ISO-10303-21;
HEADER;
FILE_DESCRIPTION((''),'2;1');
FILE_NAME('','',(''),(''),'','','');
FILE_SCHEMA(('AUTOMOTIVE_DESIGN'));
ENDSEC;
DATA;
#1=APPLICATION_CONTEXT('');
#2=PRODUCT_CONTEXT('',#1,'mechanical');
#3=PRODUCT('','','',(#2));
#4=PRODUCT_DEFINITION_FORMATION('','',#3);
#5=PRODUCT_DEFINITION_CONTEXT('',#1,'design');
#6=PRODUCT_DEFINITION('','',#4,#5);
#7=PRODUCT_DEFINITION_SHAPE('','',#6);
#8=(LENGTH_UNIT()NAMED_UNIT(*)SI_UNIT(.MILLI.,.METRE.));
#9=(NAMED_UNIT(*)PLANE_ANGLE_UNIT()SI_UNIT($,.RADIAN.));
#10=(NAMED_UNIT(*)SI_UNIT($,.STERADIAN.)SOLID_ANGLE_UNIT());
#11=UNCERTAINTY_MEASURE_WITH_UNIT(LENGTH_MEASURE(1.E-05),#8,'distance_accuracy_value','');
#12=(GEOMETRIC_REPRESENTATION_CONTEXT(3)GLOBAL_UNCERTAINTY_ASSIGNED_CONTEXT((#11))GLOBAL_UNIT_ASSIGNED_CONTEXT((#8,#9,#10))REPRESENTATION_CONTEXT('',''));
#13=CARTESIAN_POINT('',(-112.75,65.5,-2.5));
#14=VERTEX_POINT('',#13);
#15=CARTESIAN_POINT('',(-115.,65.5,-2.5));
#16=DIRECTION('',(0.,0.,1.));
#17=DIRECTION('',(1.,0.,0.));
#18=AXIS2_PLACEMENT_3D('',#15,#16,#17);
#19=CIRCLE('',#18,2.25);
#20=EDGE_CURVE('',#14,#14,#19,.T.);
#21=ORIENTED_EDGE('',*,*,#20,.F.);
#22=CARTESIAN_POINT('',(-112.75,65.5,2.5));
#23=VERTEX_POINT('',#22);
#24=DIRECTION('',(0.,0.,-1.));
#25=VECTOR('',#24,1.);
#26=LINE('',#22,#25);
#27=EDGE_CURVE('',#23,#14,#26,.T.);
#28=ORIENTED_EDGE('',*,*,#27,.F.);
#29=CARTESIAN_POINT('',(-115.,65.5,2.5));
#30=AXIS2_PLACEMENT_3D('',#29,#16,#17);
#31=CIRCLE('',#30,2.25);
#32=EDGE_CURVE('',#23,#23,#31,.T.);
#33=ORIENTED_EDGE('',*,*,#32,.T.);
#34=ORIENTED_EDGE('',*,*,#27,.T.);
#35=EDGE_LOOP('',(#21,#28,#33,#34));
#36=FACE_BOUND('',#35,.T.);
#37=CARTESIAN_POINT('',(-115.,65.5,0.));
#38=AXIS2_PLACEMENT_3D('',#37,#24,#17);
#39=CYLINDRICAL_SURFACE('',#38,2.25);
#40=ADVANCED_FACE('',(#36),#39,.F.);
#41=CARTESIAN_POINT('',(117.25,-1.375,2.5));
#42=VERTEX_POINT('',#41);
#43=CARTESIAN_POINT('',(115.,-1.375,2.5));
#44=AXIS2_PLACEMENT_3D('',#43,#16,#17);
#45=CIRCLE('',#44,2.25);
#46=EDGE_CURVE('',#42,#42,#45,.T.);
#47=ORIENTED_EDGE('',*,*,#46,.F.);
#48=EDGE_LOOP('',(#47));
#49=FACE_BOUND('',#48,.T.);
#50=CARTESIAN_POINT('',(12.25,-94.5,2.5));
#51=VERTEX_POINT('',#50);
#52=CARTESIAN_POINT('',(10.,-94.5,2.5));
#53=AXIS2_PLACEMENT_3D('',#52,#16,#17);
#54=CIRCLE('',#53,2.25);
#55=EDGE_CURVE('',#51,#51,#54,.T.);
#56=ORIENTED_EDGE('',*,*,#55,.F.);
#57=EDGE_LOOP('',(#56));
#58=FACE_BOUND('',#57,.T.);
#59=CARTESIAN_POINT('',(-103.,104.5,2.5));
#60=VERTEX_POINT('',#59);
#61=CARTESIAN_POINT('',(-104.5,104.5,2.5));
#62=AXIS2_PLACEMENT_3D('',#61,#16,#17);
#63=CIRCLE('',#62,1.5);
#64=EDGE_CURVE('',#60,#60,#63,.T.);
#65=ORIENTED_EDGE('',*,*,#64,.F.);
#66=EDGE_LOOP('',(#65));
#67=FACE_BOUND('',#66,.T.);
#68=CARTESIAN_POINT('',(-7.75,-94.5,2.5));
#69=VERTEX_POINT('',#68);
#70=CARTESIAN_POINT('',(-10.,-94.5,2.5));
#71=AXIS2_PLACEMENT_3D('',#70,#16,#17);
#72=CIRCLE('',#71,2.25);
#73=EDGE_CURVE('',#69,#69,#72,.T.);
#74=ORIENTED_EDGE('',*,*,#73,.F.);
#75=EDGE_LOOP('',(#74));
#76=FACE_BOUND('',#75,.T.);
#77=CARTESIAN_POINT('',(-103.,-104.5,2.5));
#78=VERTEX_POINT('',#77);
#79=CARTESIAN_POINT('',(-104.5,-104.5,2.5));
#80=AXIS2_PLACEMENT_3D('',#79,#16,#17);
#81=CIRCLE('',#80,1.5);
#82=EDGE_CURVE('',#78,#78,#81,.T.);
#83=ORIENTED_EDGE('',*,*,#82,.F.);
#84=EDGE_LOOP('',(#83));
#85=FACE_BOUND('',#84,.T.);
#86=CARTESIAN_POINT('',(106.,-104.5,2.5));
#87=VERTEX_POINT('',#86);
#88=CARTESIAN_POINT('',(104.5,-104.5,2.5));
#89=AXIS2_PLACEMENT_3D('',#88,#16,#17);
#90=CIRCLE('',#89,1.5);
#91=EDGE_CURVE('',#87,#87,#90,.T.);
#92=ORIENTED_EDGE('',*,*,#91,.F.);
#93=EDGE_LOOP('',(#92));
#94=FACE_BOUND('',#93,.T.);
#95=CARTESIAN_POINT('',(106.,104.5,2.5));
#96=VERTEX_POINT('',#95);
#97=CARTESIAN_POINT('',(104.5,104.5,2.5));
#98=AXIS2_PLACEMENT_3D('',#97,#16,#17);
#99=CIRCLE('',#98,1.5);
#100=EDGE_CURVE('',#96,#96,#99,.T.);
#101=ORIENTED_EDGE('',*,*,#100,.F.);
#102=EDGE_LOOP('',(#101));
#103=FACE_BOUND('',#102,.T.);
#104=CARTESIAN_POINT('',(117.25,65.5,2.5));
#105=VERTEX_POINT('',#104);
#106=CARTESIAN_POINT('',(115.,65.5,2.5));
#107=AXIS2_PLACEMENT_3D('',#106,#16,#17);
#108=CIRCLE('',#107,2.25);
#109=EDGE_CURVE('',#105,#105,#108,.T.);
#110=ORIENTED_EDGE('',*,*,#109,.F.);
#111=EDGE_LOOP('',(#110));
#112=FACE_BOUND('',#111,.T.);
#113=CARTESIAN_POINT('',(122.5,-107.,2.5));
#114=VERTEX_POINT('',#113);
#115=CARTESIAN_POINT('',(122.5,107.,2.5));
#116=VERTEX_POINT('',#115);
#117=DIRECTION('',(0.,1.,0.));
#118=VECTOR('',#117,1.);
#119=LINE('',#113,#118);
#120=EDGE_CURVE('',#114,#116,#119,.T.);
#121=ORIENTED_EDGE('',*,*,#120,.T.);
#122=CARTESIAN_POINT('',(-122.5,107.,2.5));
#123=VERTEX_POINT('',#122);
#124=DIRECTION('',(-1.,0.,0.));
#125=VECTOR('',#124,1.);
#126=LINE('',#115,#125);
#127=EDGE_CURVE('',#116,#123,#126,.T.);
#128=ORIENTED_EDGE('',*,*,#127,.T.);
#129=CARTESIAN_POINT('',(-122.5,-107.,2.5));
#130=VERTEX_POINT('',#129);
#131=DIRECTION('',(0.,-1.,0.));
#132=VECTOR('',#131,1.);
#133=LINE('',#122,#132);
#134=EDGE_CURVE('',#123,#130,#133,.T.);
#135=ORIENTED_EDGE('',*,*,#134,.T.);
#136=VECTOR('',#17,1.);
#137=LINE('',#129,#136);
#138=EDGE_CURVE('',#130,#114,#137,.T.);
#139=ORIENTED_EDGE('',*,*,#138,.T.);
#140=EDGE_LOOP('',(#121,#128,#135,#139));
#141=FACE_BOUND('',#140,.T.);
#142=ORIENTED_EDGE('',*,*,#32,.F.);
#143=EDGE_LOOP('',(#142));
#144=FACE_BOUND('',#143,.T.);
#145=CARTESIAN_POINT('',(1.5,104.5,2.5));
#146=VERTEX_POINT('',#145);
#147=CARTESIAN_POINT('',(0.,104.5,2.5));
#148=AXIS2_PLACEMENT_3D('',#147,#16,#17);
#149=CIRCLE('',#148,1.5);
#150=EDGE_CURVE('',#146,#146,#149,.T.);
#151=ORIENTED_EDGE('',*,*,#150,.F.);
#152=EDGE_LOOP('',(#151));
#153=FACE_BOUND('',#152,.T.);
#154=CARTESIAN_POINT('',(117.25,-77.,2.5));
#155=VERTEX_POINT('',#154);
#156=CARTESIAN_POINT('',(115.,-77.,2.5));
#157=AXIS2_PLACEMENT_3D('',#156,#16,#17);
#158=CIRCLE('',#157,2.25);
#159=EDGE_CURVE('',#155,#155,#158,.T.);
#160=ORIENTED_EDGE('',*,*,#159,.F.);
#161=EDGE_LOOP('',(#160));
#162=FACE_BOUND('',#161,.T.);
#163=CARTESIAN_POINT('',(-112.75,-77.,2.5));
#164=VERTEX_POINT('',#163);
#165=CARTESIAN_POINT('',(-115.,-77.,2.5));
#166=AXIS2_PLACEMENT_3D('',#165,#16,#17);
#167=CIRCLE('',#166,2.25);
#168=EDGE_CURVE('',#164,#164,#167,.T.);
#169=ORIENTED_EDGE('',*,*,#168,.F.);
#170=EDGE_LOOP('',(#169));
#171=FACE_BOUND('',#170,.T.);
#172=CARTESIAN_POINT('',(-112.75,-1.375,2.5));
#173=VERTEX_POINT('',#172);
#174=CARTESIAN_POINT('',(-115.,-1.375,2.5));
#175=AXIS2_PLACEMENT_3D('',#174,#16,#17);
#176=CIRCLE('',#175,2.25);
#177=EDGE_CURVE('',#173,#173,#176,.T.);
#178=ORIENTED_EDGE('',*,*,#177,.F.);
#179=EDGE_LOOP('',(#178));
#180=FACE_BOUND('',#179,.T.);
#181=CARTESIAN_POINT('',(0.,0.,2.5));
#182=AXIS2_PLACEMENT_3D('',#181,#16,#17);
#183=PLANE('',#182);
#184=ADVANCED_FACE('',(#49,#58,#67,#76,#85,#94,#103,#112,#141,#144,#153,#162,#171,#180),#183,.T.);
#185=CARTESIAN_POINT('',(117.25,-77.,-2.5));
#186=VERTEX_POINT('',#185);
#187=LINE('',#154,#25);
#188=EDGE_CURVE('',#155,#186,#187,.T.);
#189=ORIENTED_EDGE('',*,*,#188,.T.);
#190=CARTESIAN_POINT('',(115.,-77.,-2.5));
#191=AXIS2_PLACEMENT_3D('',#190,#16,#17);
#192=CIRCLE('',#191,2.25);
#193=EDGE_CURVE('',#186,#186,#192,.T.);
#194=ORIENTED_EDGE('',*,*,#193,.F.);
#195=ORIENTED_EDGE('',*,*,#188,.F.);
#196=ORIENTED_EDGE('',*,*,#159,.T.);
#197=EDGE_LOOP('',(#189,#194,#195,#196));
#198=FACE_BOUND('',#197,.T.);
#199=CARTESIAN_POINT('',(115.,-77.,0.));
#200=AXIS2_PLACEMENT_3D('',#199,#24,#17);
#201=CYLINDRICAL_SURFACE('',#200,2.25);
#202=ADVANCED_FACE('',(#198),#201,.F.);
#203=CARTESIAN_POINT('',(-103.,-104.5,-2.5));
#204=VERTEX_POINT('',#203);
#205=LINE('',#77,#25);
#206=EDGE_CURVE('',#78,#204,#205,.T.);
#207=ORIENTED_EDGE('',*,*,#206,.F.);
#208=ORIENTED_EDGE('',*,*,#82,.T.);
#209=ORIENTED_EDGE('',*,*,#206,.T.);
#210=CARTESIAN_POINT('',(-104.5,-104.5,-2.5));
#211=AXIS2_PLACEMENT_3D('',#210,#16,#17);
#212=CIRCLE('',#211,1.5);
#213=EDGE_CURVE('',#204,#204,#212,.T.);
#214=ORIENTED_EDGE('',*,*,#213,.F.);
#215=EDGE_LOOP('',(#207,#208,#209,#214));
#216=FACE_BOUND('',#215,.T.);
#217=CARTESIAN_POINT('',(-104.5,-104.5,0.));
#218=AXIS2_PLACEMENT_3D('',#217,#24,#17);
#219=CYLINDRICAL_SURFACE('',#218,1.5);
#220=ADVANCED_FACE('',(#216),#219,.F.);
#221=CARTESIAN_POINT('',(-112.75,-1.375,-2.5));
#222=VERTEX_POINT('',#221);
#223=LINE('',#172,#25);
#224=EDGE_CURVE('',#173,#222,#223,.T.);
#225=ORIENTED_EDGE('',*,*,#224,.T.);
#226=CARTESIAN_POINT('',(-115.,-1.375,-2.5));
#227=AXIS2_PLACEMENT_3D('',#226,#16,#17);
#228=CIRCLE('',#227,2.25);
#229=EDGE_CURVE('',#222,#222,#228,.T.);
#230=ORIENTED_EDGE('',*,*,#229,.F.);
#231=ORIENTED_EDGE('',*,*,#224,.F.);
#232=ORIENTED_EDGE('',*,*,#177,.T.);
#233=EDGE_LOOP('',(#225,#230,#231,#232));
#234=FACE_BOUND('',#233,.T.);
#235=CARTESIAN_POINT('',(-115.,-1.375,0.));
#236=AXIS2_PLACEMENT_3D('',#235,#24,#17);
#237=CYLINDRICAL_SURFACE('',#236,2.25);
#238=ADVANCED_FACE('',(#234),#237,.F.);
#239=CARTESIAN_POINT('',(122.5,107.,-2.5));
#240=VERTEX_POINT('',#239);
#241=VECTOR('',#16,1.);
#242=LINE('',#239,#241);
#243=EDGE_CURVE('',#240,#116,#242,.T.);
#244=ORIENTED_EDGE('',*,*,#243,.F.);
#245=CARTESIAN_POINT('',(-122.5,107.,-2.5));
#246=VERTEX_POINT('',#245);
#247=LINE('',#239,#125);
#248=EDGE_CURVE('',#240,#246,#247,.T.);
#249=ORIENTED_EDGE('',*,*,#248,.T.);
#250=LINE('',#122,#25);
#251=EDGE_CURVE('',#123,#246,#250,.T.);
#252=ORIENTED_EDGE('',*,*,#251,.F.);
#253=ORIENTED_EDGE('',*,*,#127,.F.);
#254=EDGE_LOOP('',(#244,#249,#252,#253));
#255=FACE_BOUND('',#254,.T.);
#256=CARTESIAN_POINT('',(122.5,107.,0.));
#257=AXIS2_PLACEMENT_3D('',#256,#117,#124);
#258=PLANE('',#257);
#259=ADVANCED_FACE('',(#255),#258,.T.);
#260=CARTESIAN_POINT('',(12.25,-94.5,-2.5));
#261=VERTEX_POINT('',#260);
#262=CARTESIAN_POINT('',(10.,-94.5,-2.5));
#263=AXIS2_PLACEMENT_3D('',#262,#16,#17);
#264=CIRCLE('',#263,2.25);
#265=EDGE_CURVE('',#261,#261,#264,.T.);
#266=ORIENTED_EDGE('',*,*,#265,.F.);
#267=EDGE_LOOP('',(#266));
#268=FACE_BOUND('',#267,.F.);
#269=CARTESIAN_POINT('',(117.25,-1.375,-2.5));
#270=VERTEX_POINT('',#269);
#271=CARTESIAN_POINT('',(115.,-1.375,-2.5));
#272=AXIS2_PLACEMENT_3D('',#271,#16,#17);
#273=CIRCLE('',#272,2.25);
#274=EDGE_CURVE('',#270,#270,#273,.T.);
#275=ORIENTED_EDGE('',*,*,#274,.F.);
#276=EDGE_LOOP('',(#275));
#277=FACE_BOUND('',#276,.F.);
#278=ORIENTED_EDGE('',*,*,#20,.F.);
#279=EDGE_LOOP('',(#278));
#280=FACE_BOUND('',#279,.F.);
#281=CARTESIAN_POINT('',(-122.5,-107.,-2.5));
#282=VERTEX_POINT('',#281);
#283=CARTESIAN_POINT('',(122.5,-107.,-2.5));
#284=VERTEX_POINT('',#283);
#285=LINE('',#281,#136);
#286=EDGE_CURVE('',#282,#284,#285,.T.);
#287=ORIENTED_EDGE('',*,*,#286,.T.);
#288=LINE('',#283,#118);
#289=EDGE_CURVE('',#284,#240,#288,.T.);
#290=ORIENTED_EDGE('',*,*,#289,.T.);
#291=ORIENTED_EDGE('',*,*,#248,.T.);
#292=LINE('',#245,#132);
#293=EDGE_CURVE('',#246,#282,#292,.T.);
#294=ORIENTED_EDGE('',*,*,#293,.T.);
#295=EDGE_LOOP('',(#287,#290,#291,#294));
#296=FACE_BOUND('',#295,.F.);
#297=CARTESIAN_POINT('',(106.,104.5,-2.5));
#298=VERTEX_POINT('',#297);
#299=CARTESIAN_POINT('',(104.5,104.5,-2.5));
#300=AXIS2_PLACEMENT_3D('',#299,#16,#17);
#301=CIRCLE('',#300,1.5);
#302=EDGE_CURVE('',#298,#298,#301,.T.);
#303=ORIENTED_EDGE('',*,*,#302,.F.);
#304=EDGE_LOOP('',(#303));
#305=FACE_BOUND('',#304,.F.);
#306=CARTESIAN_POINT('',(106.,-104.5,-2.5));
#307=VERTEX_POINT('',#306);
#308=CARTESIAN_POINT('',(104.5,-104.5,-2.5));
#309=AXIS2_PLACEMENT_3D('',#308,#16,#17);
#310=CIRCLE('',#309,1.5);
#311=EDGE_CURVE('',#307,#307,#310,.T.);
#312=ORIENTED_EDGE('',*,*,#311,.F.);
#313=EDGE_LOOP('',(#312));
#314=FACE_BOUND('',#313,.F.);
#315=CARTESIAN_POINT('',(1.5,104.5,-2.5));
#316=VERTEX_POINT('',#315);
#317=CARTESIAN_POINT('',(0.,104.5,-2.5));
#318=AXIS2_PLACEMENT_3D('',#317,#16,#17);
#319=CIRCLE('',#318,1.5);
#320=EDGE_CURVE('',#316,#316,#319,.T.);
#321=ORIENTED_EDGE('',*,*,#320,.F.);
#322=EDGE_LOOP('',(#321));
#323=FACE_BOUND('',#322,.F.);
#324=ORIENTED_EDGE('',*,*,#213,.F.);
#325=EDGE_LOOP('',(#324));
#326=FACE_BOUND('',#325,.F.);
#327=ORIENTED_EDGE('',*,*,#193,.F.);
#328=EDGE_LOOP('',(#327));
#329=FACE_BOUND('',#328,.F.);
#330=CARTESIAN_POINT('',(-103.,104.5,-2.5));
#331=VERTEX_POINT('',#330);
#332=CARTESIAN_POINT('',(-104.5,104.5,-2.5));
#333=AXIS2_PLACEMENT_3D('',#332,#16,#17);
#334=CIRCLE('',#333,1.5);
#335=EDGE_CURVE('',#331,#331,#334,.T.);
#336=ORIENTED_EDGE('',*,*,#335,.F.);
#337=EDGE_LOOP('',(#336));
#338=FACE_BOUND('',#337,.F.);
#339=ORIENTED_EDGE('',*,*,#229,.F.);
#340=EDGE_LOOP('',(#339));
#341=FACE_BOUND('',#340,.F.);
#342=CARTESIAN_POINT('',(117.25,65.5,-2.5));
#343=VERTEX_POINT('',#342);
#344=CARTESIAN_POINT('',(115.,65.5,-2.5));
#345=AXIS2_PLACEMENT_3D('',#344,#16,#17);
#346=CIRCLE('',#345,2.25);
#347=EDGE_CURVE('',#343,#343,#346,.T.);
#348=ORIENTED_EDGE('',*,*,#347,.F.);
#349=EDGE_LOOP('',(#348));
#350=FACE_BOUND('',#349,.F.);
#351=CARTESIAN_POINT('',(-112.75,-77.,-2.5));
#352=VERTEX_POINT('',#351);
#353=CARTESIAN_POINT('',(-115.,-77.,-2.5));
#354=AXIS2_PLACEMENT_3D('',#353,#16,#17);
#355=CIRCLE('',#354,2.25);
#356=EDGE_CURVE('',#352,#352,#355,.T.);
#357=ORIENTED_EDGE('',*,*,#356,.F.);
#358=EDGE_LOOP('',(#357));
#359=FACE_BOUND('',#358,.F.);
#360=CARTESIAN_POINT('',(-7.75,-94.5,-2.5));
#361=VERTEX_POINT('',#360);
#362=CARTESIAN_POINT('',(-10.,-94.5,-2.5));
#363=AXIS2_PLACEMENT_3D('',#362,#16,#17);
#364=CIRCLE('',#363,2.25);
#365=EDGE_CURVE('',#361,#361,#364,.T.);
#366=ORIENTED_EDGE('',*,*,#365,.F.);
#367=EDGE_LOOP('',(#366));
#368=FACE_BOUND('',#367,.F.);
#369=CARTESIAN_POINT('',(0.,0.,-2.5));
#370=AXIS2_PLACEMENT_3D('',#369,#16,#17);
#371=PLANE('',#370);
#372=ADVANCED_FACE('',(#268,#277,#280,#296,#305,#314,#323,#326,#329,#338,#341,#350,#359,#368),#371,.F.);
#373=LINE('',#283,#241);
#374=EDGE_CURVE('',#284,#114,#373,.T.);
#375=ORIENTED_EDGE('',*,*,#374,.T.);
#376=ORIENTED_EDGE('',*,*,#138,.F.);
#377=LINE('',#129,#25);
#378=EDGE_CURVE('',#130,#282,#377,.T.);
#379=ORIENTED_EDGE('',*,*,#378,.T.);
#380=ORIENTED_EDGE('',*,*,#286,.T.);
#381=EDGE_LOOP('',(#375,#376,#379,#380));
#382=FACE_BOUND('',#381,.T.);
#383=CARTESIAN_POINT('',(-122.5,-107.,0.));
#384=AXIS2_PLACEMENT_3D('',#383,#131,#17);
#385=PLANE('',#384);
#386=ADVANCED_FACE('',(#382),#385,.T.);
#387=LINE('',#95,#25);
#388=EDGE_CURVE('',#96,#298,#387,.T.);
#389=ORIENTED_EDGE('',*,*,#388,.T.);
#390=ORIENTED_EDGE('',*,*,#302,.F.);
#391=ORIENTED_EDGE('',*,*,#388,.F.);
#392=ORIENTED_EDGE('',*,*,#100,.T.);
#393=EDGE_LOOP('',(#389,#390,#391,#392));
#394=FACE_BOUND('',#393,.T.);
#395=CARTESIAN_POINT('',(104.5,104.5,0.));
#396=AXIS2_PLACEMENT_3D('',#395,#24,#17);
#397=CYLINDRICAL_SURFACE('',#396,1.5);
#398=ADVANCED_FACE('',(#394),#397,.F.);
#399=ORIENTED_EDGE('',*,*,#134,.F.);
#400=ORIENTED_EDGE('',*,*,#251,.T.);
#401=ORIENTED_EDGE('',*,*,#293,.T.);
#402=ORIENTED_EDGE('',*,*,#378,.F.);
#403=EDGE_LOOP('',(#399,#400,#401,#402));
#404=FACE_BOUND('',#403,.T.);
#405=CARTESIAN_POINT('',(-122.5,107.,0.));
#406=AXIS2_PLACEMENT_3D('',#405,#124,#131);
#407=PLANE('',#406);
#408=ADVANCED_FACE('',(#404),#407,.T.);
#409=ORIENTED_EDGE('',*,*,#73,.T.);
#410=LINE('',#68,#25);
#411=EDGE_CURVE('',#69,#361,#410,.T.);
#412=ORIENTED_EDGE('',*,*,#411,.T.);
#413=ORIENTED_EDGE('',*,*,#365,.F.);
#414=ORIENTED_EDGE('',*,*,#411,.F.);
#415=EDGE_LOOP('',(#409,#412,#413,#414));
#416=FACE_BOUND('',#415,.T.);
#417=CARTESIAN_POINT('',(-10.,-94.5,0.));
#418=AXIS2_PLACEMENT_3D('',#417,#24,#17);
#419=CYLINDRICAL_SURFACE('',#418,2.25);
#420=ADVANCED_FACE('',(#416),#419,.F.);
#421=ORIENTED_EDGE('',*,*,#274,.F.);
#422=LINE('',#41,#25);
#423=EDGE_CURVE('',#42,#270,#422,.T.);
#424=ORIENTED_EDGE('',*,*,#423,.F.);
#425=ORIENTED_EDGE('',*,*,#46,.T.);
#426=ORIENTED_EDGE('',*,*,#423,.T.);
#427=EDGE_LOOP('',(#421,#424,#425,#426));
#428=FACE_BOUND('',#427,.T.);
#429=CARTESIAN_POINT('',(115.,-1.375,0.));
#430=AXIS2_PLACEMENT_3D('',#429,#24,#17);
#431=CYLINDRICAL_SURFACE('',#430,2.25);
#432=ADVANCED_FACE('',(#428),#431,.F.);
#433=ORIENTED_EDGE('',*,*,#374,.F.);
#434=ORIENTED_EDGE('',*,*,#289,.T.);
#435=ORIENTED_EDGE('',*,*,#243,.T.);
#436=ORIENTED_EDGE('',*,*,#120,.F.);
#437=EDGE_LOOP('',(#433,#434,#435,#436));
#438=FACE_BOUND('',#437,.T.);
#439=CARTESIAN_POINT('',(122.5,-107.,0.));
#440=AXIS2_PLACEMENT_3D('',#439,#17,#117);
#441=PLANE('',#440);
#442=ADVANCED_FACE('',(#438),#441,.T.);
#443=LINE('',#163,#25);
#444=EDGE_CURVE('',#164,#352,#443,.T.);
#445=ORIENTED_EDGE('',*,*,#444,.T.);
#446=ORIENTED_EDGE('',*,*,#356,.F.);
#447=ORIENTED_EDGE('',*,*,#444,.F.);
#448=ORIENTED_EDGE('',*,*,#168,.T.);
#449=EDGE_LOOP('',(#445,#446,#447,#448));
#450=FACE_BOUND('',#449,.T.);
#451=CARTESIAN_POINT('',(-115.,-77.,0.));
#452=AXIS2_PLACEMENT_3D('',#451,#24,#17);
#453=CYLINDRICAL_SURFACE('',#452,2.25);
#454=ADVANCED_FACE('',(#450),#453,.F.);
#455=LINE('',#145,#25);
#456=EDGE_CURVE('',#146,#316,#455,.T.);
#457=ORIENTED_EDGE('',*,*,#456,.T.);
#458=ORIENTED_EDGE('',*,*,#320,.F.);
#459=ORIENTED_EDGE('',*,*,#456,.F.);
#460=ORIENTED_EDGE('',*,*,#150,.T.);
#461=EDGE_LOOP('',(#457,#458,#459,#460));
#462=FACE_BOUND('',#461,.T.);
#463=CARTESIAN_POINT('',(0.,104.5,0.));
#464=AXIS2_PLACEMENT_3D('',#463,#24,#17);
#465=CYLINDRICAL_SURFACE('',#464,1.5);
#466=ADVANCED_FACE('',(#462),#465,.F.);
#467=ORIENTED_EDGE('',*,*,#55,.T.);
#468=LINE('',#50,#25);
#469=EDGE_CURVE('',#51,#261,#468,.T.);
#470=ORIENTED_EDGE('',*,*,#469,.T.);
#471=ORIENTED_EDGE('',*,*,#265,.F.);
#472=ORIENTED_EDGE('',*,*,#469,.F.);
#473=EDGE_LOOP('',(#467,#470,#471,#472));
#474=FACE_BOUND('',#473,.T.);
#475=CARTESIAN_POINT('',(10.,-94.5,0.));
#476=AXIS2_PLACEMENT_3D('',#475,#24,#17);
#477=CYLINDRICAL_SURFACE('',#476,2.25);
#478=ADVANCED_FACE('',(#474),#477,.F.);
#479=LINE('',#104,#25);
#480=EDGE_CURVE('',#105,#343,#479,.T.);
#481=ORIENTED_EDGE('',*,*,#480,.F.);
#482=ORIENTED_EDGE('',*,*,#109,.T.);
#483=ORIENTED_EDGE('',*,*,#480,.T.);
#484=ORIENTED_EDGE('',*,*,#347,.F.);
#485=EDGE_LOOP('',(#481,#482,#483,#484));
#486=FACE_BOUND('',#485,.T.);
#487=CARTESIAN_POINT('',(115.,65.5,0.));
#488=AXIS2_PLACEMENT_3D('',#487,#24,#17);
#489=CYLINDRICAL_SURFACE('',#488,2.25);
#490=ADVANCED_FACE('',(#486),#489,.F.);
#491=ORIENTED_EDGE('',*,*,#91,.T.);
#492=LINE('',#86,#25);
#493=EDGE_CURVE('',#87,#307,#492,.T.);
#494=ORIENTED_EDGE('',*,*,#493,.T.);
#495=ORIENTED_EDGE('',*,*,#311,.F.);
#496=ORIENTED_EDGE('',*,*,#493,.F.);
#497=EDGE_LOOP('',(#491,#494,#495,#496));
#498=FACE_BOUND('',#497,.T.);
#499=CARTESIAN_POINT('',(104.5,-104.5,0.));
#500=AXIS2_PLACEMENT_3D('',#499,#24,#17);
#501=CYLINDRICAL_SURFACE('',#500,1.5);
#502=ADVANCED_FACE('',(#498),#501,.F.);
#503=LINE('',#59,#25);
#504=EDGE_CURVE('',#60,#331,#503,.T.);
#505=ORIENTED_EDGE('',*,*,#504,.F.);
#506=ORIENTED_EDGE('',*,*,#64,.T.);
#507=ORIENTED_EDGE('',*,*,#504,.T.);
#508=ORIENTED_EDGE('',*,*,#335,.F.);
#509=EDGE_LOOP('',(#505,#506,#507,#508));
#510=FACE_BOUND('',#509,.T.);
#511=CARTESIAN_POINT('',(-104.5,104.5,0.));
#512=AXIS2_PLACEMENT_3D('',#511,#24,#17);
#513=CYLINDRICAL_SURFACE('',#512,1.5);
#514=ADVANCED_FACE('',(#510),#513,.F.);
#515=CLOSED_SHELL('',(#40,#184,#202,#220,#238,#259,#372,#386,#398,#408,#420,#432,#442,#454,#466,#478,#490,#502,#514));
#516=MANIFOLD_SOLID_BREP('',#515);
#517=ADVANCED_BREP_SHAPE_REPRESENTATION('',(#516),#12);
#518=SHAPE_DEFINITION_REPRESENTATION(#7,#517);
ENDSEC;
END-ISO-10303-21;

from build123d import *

# Parameters (mm, degrees)
F0_R     = 1.5
F0_R_2   = 2.25
F1_DEPTH = 2.5


with BuildPart() as f1:
    # F0 (on Top) → F1 (new body, symmetric)
    with BuildSketch(Plane.XY):
        Polygon((-122.5, -107), (122.5, -107), (122.5, 0.95), (122.5, 107), (-122.5, 107), (-122.5, 0.95), align=None)
        with Locations((-104.5, -104.5)):
            Circle(F0_R, mode=Mode.SUBTRACT)
        with Locations((-115, -77)):
            Circle(F0_R_2, mode=Mode.SUBTRACT)
        with Locations((-10, -94.5)):
            Circle(F0_R_2, mode=Mode.SUBTRACT)
        with Locations((-115, -1.375)):
            Circle(F0_R_2, mode=Mode.SUBTRACT)
        with Locations((10, -94.5)):
            Circle(F0_R_2, mode=Mode.SUBTRACT)
        with Locations((104.5, -104.5)):
            Circle(F0_R, mode=Mode.SUBTRACT)
        with Locations((115, -77)):
            Circle(F0_R_2, mode=Mode.SUBTRACT)
        with Locations((115, -1.375)):
            Circle(F0_R_2, mode=Mode.SUBTRACT)
        with Locations((-115, 65.5)):
            Circle(F0_R_2, mode=Mode.SUBTRACT)
        with Locations((-104.5, 104.5)):
            Circle(F0_R, mode=Mode.SUBTRACT)
        with Locations((0, 104.5)):
            Circle(F0_R, mode=Mode.SUBTRACT)
        with Locations((115, 65.5)):
            Circle(F0_R_2, mode=Mode.SUBTRACT)
        with Locations((104.5, 104.5)):
            Circle(F0_R, mode=Mode.SUBTRACT)
    extrude(amount=F1_DEPTH, both=True)


solid = f1.part
